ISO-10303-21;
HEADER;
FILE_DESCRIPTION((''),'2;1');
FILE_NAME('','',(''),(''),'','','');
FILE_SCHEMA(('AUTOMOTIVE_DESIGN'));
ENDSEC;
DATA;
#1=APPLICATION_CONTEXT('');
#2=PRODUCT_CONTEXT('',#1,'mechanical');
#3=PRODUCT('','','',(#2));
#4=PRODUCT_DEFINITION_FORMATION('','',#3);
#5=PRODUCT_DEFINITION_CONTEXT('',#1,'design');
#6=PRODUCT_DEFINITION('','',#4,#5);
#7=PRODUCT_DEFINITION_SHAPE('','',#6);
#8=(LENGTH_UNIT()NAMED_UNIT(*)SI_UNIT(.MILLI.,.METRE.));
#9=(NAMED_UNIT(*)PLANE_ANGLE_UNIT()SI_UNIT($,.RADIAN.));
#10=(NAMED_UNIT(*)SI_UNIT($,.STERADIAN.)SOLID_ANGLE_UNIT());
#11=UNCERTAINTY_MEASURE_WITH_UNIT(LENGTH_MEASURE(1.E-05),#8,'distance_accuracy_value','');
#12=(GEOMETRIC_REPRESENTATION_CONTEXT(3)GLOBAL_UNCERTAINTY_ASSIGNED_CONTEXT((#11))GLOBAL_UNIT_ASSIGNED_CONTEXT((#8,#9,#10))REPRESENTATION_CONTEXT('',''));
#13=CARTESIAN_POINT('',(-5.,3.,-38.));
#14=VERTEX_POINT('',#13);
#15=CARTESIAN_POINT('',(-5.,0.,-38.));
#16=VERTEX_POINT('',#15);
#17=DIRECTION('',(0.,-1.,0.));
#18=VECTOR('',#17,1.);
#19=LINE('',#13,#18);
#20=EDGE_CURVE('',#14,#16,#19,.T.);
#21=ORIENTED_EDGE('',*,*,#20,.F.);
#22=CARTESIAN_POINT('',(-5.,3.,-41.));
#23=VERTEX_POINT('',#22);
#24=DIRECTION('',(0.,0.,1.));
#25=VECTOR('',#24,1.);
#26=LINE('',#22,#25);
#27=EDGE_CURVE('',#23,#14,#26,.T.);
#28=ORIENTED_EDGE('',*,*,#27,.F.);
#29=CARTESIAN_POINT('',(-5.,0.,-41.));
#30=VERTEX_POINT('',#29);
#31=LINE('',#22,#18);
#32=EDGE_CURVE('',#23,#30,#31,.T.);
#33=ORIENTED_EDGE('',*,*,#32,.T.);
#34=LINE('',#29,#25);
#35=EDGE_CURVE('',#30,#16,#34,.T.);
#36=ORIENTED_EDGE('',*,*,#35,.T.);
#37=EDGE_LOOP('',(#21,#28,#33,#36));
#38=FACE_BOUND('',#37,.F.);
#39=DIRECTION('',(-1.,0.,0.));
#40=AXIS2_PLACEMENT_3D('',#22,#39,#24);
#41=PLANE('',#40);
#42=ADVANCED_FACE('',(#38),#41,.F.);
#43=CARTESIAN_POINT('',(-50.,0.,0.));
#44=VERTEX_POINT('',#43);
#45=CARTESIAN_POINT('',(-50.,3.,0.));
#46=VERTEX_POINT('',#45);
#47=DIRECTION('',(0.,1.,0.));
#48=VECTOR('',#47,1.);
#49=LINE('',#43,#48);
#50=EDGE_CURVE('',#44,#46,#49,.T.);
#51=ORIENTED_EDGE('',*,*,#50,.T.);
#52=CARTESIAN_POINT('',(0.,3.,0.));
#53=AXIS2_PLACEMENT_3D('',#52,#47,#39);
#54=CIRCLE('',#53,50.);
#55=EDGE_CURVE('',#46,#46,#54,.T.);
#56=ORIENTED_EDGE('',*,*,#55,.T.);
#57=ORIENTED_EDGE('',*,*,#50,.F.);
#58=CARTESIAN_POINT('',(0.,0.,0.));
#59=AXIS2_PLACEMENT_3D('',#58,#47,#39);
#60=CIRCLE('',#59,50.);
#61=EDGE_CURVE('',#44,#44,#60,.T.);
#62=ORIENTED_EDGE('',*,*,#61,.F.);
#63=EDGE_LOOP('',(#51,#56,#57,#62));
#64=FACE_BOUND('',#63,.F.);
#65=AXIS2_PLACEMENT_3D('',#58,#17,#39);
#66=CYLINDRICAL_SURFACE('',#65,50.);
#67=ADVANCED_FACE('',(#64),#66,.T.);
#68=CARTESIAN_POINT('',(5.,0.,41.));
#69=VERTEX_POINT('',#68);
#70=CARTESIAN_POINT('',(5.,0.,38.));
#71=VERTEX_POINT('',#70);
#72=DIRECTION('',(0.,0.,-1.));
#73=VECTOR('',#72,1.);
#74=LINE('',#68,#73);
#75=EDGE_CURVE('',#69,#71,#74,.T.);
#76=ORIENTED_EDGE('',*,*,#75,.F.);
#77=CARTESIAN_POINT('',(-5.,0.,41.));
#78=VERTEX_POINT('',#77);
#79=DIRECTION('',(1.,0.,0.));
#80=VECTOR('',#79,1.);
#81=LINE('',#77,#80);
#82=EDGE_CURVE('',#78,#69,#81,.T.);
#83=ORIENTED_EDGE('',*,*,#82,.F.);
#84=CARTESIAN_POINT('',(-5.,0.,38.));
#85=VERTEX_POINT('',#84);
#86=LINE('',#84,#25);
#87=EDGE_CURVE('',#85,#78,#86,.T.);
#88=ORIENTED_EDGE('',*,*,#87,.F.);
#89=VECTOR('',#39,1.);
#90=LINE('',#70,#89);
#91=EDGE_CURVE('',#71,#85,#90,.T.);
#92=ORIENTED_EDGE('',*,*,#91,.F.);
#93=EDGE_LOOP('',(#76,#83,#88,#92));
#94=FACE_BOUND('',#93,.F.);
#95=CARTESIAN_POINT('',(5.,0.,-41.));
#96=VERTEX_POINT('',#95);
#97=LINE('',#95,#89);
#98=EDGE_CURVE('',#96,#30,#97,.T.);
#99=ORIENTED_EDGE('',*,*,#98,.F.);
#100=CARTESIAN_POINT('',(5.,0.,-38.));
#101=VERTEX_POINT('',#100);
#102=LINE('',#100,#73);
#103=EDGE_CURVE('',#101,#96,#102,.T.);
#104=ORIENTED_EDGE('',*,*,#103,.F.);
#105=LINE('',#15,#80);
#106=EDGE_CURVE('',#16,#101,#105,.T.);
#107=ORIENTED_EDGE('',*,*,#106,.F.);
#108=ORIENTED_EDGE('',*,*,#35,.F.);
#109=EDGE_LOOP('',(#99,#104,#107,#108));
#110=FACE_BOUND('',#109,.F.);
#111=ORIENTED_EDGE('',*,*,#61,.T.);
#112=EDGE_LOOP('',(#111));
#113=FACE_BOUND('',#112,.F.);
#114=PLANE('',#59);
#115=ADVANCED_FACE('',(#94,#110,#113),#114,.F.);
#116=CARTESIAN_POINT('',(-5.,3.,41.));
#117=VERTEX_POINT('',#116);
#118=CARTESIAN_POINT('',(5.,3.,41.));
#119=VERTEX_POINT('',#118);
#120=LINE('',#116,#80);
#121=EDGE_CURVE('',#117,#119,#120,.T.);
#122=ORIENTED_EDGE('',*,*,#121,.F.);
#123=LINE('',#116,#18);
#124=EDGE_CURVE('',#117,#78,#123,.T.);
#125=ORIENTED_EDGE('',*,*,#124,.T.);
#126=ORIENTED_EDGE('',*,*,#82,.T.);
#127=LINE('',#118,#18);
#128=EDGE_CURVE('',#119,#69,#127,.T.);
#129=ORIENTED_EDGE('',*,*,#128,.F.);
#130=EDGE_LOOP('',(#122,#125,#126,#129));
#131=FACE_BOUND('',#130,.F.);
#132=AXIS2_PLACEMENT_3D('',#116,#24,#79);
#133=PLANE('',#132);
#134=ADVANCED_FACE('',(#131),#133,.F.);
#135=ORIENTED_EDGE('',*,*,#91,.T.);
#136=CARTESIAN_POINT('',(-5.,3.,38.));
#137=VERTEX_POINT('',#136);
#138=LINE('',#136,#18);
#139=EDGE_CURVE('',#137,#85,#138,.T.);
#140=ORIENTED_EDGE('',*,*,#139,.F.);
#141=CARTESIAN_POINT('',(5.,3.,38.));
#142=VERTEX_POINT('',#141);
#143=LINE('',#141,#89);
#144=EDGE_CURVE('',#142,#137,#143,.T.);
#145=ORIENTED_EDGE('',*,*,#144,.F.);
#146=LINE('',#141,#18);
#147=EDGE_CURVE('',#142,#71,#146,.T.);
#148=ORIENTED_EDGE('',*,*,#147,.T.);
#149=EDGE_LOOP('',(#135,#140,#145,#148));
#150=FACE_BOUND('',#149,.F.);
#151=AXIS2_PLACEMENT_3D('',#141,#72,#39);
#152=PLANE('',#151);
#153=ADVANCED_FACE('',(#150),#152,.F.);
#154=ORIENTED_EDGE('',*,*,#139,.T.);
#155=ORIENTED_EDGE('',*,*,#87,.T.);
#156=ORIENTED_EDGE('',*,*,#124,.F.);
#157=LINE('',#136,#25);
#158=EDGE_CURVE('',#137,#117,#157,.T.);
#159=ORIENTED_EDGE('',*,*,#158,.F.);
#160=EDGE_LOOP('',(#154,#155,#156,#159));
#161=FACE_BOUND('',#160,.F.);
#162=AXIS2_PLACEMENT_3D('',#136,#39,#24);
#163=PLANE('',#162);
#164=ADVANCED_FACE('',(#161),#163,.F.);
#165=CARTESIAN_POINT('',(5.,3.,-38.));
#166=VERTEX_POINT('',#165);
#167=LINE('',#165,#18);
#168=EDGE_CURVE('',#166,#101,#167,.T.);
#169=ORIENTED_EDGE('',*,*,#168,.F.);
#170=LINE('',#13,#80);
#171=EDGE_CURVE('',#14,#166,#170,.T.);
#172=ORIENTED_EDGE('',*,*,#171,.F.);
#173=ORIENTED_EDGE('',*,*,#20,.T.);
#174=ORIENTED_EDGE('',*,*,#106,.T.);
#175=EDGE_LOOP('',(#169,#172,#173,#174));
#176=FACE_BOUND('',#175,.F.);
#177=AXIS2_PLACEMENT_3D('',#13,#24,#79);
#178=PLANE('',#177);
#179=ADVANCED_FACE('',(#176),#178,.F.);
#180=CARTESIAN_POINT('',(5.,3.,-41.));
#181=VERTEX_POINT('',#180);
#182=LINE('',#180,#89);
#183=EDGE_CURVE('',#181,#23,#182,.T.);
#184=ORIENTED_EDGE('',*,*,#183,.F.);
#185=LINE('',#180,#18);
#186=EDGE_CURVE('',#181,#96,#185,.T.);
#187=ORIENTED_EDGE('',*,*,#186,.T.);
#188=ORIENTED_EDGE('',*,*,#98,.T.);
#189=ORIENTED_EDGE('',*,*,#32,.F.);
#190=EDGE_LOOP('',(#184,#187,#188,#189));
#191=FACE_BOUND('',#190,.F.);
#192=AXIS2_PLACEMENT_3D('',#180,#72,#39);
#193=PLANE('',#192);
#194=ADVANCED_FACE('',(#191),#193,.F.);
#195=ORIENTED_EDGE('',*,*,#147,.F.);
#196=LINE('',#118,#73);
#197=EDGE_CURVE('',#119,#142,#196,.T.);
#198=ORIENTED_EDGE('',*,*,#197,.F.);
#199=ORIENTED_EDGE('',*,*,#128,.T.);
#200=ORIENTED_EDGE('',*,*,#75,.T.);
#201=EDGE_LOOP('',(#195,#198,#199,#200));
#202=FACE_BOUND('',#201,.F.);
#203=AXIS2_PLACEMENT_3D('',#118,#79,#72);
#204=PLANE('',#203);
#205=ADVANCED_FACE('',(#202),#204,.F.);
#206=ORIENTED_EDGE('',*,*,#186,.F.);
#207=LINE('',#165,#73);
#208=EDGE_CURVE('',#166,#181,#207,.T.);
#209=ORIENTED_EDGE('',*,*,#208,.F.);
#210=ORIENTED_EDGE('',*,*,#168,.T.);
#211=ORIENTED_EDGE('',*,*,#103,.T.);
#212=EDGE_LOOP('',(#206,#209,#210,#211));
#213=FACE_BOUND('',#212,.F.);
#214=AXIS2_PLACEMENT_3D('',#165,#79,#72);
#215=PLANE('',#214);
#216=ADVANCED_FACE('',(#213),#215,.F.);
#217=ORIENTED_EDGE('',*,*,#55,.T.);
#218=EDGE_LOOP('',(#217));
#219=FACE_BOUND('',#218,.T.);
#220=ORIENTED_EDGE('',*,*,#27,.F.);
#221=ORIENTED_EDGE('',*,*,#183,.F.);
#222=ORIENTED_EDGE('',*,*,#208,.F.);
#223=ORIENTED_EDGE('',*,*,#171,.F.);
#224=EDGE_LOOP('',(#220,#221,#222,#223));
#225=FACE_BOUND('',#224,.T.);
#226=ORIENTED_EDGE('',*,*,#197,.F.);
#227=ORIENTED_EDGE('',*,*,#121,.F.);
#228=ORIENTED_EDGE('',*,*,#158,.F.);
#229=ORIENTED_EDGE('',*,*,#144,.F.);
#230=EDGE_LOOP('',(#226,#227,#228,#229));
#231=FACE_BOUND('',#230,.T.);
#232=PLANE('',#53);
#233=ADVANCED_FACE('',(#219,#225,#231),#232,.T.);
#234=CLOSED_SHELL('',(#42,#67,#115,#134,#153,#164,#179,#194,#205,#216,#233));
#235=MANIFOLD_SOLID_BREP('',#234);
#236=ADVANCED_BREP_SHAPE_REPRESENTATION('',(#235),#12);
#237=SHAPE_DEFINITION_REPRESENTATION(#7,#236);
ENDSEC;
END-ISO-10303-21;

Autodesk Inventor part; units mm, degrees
ref_plane "YZ Plane" through (0, 0, 0) normal (1, 0, 0) x (0, 1, 0)
ref_plane "XZ Plane" through (0, 0, 0) normal (0, 1, 0) x (-1, 0, 0)
ref_plane "XY Plane" through (0, 0, 0) normal (0, 0, 1) x (1, 0, 0)
sketch "Sketch1" plane through (0, 0, 0) normal (0, 1, 0) x (-1, 0, 0)
  circle A0 centre (0, 0) radius 50
  dimension "d0" = 100
extrude "Extrusion1" add sketch "Sketch1" along normal blind 3
sketch "Sketch2" plane through (0, 3, 0) normal (0, 1, 0) x (1, 0, 0)
  line L0 (-5, -41) -> (5, -41)
  line L1 (5, -41) -> (5, -38)
  line L2 (5, -38) -> (-5, -38)
  line L3 (-5, -38) -> (-5, -41)
  line L4 (-5, 38) -> (5, 38)
  line L5 (5, 38) -> (5, 41)
  line L6 (5, 41) -> (-5, 41)
  line L7 (-5, 41) -> (-5, 38)
  point P0 (0, 0)
  dimension "d3" = 10
  dimension "d4" = 3
  dimension "d5" = 5
  dimension "d6" = 38
  dimension "d7" = 10
  dimension "d8" = 3
  dimension "d9" = 5
  dimension "d10" = 38
extrude "Extrusion2" cut sketch "Sketch2" against normal blind 3
properties part number "face"
